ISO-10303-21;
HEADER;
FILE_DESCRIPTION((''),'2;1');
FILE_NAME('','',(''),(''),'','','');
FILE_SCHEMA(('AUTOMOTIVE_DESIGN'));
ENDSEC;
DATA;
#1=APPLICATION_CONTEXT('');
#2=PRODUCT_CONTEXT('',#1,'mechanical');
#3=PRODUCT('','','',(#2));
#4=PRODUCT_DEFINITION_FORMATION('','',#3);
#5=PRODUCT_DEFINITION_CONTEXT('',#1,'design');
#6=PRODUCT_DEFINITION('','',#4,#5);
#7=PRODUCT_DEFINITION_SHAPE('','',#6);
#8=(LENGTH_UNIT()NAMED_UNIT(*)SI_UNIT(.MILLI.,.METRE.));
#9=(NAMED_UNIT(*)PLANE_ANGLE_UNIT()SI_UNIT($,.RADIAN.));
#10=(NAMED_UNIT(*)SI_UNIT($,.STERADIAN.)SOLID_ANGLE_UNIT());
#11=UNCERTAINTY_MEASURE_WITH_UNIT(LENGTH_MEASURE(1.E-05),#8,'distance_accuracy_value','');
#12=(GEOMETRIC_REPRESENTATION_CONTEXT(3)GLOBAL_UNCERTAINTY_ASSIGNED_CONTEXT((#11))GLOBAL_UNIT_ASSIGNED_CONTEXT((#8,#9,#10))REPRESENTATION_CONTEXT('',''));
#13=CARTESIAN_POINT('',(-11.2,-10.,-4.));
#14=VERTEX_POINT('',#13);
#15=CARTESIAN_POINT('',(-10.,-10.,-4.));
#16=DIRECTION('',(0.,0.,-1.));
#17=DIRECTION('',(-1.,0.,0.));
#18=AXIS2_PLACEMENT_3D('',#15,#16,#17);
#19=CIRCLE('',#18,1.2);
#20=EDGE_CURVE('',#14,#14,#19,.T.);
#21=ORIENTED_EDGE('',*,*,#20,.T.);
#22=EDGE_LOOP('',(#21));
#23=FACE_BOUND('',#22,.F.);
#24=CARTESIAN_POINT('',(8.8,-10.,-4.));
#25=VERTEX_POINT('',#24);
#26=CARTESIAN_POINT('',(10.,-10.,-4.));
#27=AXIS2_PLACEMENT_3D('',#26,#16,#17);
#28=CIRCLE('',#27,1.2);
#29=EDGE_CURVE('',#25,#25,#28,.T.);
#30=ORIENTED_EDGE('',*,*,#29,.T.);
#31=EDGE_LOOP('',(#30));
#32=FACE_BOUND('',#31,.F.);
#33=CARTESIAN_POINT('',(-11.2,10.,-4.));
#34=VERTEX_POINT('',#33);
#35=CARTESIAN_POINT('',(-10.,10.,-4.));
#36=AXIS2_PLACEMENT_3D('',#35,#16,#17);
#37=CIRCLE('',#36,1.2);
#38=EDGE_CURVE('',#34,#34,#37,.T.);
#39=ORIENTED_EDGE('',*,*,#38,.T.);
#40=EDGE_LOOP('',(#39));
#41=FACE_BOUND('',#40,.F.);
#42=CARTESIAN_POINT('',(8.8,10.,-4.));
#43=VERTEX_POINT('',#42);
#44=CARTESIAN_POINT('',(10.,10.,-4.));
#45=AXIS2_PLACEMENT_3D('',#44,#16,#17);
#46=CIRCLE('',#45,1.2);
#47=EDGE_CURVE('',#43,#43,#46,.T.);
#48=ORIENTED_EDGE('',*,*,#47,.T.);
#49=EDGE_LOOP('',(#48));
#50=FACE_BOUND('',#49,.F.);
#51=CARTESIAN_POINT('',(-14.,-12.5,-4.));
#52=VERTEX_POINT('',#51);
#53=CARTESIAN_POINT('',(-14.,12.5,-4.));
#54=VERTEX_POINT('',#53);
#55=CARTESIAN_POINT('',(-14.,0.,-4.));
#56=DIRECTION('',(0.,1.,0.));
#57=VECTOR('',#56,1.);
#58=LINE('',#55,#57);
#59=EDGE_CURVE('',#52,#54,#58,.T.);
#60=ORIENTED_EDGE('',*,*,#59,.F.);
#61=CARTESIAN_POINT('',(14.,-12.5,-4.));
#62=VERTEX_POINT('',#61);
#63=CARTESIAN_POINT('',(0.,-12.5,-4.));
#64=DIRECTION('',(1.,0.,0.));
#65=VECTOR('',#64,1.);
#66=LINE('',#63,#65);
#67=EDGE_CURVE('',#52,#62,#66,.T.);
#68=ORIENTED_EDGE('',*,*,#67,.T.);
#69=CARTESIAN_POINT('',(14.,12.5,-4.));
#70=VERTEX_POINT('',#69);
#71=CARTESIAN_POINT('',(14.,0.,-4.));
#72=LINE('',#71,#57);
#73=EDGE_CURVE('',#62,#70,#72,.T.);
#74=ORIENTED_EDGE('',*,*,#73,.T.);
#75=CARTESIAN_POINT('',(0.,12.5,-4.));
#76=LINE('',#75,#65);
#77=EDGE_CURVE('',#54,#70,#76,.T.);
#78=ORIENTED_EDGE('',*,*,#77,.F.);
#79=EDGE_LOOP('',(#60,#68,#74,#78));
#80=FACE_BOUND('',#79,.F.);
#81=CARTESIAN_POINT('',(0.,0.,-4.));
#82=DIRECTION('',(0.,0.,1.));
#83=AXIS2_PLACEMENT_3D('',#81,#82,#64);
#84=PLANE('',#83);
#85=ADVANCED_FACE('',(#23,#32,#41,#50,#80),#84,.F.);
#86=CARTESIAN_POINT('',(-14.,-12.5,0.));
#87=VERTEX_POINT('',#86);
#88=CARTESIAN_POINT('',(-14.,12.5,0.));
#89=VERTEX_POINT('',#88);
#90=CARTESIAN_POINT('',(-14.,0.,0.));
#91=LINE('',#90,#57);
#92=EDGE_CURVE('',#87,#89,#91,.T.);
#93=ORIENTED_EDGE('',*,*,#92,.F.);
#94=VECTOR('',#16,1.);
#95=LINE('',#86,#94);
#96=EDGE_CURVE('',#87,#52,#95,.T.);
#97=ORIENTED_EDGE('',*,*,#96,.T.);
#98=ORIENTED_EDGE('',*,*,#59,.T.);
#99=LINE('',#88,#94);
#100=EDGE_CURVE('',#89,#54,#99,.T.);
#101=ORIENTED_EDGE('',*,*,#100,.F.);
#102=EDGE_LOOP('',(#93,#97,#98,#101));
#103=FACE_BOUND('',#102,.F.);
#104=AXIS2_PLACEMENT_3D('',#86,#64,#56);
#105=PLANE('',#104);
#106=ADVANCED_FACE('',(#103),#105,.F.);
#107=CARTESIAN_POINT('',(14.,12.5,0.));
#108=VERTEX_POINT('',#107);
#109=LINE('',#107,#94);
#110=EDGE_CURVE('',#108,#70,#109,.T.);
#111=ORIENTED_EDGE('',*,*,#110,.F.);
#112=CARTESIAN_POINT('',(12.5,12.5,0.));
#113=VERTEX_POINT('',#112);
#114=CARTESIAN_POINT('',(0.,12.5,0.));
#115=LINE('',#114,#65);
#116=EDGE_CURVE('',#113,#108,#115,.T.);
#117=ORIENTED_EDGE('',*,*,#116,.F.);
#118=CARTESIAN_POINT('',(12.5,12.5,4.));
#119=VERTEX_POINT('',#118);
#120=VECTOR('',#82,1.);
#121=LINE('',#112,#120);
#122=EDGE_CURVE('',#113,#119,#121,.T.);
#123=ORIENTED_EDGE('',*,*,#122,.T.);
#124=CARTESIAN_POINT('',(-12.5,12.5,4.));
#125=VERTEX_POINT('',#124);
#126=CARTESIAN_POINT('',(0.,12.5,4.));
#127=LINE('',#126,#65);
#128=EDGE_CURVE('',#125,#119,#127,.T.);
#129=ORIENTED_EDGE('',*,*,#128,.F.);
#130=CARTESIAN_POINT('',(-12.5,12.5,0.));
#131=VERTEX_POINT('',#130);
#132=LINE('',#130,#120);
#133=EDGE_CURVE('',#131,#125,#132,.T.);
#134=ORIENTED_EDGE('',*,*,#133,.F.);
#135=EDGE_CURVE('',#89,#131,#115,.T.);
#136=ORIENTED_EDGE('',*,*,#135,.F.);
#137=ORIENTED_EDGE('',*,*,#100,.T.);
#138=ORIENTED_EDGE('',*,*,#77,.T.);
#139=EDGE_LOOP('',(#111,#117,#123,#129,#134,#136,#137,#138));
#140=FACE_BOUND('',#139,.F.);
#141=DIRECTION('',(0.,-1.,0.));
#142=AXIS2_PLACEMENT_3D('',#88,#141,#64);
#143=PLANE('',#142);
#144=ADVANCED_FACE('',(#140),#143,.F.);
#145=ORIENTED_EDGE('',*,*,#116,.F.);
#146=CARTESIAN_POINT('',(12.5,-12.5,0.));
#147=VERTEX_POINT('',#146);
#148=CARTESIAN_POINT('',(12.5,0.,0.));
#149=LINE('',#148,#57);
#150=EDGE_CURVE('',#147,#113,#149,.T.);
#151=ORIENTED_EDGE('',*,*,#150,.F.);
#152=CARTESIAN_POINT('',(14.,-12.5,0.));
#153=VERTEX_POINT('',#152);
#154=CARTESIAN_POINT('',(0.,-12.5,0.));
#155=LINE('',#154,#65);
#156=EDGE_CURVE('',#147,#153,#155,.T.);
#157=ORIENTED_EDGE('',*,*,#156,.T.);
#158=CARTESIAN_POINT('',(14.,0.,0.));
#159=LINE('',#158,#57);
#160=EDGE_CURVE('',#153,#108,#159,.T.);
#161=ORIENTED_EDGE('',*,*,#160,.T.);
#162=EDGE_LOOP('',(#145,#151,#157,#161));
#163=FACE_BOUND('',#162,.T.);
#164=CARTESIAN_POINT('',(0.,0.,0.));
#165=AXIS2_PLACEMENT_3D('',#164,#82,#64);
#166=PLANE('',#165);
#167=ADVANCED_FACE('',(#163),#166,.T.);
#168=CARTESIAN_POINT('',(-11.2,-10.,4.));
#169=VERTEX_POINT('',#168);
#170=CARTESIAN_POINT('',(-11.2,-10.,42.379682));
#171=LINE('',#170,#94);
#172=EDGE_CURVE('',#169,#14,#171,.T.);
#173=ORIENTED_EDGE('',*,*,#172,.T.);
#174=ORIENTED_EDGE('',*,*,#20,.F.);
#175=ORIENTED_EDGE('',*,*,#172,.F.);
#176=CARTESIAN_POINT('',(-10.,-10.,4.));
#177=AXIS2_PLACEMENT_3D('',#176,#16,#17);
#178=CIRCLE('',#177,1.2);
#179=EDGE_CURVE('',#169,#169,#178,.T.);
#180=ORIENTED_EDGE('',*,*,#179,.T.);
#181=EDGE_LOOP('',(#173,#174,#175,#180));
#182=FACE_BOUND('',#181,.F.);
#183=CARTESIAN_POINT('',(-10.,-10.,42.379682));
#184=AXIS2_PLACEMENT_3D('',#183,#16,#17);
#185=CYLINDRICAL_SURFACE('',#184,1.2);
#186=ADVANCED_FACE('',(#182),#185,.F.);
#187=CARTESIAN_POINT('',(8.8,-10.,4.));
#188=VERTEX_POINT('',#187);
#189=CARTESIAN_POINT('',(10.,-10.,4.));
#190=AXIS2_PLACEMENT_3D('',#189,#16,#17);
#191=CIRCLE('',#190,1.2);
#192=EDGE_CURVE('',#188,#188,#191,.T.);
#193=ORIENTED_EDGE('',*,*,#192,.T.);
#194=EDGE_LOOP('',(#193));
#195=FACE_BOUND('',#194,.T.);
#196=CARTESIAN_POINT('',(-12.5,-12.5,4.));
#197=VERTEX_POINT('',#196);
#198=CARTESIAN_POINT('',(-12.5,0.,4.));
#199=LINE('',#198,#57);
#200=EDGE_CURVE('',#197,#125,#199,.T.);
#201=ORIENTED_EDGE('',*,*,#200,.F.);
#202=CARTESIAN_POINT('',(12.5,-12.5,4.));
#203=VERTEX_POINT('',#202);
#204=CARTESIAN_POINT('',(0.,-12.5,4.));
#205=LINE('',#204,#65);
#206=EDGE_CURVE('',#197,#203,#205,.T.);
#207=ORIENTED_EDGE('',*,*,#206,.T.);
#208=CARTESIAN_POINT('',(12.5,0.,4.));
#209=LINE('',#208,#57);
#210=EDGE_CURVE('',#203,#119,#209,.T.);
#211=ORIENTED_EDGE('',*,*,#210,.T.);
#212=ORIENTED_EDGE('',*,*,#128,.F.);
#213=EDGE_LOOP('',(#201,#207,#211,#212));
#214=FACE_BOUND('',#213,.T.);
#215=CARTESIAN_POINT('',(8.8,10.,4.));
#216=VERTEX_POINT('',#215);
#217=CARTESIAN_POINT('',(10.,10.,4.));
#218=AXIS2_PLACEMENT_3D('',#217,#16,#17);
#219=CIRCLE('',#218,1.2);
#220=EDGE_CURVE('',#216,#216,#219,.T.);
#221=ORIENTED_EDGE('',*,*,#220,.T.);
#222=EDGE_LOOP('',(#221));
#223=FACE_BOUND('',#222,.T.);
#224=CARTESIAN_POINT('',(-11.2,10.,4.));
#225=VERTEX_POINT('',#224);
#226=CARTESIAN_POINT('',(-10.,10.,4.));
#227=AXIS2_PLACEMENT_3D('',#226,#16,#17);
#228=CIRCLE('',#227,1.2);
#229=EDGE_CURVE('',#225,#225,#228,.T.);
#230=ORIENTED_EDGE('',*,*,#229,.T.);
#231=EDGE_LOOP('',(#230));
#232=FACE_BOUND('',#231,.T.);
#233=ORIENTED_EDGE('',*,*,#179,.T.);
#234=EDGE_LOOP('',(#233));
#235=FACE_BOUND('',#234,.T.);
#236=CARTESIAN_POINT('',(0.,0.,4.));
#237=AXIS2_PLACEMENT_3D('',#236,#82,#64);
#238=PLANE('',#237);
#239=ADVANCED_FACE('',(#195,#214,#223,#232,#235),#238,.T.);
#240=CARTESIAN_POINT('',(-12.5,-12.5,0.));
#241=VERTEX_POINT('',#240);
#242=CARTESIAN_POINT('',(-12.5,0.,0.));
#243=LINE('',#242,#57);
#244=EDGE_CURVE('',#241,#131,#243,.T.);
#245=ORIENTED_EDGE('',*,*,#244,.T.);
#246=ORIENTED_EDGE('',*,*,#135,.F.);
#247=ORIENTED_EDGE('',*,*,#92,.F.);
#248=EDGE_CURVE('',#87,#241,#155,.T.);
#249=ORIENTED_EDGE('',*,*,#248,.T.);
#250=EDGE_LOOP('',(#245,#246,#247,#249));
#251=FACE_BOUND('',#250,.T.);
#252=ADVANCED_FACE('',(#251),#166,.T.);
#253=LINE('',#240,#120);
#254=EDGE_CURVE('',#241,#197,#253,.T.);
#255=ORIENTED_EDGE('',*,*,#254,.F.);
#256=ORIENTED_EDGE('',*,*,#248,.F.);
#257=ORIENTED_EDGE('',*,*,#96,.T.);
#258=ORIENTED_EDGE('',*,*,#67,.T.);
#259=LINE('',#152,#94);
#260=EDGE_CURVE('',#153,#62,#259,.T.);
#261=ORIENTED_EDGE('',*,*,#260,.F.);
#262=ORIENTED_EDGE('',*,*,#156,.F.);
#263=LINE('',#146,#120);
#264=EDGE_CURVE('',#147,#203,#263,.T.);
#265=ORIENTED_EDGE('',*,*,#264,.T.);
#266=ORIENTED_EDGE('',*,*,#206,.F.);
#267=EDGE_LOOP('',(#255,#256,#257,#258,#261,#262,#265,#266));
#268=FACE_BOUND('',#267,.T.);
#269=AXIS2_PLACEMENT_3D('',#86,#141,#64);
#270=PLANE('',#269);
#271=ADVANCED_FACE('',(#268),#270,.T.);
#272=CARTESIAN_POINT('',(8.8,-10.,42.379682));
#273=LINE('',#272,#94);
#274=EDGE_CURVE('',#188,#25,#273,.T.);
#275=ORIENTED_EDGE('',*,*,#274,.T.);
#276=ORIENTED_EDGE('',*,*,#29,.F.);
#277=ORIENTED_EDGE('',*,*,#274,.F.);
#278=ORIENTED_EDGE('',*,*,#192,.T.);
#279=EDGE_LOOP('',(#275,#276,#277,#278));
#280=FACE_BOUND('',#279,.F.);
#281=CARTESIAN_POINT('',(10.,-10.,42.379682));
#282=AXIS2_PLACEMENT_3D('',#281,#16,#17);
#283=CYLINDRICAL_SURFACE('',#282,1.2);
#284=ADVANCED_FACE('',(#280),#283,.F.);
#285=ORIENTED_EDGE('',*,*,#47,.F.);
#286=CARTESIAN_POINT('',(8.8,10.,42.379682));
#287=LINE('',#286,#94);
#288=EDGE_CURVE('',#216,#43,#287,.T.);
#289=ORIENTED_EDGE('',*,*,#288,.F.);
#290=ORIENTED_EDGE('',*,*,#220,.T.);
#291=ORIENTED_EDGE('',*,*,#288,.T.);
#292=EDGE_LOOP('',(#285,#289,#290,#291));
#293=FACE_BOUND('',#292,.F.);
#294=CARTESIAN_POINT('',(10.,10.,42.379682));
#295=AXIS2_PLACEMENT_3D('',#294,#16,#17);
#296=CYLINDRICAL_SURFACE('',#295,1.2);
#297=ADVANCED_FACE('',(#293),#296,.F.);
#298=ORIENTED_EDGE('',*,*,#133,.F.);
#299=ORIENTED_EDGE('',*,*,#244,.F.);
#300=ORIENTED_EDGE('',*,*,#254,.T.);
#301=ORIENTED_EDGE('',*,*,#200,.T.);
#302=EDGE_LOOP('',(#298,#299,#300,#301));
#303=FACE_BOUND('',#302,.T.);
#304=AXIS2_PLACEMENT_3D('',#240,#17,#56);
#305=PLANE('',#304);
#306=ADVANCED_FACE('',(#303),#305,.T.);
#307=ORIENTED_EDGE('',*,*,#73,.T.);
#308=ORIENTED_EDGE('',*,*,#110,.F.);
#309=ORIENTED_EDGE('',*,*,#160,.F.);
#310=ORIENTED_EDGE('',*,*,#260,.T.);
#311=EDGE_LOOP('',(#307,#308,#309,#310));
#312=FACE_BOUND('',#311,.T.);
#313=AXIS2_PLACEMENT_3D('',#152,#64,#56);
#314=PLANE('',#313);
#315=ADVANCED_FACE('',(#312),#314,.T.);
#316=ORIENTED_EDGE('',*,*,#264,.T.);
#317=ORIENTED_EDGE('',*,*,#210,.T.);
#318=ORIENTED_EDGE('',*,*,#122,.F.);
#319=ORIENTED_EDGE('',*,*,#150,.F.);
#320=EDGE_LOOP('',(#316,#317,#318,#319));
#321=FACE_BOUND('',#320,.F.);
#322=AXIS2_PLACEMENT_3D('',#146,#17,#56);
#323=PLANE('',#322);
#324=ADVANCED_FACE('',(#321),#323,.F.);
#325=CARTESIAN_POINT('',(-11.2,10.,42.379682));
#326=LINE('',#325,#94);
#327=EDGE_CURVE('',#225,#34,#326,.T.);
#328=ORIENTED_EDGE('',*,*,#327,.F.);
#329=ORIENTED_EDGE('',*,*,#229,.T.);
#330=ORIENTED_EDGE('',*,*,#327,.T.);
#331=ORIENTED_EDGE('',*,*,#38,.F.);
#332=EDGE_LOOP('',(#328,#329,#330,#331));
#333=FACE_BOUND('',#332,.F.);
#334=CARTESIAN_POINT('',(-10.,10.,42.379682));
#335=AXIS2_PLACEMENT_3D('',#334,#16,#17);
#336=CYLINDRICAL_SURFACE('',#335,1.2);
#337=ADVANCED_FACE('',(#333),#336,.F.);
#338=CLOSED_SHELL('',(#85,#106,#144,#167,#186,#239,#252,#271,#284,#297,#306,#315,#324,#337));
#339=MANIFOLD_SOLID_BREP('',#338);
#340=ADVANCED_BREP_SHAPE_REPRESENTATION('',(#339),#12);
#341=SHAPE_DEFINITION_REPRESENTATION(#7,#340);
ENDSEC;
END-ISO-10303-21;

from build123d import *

# Parameters (mm, degrees)
F0_W     = 28
F0_H     = 25
F1_DEPTH = 4
F2_W     = 25
F2_H     = 25
F3_DEPTH = 4
F5_D     = 2.4


with BuildPart() as f1:
    # F0 (on Top) → F1 (new body)
    with BuildSketch(Plane.XY):
        Rectangle(F0_W, F0_H)
    extrude(amount=-F1_DEPTH)

    # F2 (on Top) → F3 (join)
    with BuildSketch(Plane.XY):
        Rectangle(F2_W, F2_H)
    extrude(amount=F3_DEPTH)

    # F5 (through all)
    with Locations(Plane.XY.offset(4)):
        with Locations((-10, 10), (10, 10), (10, -10), (-10, -10)):
            Hole(F5_D / 2)


solid = f1.part
